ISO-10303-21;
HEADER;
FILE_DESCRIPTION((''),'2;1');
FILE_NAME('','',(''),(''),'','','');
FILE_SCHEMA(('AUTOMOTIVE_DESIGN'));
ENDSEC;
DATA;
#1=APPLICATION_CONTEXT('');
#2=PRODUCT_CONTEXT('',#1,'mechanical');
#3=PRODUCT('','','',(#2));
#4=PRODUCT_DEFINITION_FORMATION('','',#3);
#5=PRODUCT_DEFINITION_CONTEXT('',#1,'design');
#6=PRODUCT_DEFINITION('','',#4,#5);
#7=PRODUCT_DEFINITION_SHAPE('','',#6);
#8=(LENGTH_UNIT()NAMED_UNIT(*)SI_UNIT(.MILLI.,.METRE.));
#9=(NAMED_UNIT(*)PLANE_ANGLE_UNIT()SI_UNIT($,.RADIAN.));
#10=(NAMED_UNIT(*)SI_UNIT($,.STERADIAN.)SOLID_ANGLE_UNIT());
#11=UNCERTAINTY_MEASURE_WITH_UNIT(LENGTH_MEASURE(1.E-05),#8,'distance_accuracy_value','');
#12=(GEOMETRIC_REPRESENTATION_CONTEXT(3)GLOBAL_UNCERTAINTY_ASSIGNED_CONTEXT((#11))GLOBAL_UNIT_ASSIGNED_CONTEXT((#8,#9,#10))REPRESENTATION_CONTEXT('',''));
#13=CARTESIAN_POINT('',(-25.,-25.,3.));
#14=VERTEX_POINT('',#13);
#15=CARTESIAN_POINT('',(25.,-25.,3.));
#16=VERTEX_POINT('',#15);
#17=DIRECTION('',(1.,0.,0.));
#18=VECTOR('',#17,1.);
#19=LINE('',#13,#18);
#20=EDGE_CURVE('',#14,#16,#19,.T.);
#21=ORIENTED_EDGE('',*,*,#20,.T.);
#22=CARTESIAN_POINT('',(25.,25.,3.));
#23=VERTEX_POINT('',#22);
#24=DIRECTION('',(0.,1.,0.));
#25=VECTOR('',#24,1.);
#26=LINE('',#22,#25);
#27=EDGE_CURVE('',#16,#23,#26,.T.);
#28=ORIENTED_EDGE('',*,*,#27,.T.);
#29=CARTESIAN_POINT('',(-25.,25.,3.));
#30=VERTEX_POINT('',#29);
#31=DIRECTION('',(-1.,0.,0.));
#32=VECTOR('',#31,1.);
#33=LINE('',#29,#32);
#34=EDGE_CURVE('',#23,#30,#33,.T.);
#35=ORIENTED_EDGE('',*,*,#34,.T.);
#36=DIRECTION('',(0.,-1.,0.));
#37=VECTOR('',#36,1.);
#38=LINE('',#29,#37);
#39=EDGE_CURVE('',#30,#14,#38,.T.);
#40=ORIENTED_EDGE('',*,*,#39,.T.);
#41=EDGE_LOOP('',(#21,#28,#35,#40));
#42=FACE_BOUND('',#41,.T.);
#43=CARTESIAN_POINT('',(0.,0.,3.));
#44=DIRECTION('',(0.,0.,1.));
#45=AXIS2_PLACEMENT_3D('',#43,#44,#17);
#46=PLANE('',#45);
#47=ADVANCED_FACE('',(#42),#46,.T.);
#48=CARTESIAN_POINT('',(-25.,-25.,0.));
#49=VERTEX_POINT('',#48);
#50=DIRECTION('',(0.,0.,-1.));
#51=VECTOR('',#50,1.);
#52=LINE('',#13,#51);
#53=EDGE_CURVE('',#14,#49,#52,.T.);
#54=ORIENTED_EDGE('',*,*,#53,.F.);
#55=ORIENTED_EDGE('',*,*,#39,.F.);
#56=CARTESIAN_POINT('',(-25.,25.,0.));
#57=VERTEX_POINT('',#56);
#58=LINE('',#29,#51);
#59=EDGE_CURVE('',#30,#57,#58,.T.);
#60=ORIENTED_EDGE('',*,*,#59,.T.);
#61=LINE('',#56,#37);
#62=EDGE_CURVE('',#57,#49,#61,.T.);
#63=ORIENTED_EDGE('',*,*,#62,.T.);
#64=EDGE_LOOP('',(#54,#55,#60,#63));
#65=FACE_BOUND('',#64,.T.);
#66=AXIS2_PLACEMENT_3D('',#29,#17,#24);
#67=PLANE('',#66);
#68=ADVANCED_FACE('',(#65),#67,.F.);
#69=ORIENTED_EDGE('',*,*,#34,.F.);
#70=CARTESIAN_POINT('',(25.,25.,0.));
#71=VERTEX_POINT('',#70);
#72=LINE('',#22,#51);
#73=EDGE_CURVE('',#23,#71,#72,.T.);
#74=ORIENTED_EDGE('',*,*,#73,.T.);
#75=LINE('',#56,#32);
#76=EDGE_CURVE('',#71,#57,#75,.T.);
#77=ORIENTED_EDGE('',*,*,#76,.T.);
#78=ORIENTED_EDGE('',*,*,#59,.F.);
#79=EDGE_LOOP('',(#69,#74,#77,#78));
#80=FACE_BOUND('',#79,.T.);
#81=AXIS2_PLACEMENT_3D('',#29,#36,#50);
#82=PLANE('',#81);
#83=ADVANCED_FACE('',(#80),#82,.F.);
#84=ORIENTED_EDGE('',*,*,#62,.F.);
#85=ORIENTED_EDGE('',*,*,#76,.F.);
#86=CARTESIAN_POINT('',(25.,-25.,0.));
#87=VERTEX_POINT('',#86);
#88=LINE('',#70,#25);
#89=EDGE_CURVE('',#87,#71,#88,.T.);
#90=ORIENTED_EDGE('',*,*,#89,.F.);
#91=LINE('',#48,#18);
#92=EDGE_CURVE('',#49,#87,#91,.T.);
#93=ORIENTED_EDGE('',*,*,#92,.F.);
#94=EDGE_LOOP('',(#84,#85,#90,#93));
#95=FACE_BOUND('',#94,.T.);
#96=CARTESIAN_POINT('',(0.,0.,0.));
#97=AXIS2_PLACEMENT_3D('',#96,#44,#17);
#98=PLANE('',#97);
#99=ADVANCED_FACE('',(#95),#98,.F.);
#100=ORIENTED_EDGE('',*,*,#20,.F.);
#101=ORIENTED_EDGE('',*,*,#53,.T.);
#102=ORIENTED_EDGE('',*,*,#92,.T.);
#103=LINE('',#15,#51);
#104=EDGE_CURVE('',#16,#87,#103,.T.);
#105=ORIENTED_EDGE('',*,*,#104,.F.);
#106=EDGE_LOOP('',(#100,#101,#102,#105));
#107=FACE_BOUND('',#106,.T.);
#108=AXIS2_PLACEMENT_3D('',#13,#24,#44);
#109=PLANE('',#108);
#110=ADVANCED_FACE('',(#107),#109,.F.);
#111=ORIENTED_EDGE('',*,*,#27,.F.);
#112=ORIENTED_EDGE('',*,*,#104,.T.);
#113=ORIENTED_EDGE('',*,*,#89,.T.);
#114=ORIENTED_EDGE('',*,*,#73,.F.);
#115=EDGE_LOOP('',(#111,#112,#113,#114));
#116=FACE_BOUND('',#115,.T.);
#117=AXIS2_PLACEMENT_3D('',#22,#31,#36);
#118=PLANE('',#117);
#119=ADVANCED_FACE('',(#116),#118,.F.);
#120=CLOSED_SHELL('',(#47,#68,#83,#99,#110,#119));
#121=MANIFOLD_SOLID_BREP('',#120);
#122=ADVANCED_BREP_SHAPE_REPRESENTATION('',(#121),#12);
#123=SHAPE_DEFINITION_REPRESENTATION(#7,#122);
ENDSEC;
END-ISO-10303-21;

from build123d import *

# Parameters (mm, degrees)
SKETCH1_W           = 50
SKETCH1_H           = 50
BOSS_EXTRUDE1_DEPTH = 3


with BuildPart() as part:
    # Sketch1 → Boss-Extrude1 (new body)
    with BuildSketch(Plane.XY):
        Rectangle(SKETCH1_W, SKETCH1_H)
    extrude(amount=BOSS_EXTRUDE1_DEPTH)


solid = part.part
